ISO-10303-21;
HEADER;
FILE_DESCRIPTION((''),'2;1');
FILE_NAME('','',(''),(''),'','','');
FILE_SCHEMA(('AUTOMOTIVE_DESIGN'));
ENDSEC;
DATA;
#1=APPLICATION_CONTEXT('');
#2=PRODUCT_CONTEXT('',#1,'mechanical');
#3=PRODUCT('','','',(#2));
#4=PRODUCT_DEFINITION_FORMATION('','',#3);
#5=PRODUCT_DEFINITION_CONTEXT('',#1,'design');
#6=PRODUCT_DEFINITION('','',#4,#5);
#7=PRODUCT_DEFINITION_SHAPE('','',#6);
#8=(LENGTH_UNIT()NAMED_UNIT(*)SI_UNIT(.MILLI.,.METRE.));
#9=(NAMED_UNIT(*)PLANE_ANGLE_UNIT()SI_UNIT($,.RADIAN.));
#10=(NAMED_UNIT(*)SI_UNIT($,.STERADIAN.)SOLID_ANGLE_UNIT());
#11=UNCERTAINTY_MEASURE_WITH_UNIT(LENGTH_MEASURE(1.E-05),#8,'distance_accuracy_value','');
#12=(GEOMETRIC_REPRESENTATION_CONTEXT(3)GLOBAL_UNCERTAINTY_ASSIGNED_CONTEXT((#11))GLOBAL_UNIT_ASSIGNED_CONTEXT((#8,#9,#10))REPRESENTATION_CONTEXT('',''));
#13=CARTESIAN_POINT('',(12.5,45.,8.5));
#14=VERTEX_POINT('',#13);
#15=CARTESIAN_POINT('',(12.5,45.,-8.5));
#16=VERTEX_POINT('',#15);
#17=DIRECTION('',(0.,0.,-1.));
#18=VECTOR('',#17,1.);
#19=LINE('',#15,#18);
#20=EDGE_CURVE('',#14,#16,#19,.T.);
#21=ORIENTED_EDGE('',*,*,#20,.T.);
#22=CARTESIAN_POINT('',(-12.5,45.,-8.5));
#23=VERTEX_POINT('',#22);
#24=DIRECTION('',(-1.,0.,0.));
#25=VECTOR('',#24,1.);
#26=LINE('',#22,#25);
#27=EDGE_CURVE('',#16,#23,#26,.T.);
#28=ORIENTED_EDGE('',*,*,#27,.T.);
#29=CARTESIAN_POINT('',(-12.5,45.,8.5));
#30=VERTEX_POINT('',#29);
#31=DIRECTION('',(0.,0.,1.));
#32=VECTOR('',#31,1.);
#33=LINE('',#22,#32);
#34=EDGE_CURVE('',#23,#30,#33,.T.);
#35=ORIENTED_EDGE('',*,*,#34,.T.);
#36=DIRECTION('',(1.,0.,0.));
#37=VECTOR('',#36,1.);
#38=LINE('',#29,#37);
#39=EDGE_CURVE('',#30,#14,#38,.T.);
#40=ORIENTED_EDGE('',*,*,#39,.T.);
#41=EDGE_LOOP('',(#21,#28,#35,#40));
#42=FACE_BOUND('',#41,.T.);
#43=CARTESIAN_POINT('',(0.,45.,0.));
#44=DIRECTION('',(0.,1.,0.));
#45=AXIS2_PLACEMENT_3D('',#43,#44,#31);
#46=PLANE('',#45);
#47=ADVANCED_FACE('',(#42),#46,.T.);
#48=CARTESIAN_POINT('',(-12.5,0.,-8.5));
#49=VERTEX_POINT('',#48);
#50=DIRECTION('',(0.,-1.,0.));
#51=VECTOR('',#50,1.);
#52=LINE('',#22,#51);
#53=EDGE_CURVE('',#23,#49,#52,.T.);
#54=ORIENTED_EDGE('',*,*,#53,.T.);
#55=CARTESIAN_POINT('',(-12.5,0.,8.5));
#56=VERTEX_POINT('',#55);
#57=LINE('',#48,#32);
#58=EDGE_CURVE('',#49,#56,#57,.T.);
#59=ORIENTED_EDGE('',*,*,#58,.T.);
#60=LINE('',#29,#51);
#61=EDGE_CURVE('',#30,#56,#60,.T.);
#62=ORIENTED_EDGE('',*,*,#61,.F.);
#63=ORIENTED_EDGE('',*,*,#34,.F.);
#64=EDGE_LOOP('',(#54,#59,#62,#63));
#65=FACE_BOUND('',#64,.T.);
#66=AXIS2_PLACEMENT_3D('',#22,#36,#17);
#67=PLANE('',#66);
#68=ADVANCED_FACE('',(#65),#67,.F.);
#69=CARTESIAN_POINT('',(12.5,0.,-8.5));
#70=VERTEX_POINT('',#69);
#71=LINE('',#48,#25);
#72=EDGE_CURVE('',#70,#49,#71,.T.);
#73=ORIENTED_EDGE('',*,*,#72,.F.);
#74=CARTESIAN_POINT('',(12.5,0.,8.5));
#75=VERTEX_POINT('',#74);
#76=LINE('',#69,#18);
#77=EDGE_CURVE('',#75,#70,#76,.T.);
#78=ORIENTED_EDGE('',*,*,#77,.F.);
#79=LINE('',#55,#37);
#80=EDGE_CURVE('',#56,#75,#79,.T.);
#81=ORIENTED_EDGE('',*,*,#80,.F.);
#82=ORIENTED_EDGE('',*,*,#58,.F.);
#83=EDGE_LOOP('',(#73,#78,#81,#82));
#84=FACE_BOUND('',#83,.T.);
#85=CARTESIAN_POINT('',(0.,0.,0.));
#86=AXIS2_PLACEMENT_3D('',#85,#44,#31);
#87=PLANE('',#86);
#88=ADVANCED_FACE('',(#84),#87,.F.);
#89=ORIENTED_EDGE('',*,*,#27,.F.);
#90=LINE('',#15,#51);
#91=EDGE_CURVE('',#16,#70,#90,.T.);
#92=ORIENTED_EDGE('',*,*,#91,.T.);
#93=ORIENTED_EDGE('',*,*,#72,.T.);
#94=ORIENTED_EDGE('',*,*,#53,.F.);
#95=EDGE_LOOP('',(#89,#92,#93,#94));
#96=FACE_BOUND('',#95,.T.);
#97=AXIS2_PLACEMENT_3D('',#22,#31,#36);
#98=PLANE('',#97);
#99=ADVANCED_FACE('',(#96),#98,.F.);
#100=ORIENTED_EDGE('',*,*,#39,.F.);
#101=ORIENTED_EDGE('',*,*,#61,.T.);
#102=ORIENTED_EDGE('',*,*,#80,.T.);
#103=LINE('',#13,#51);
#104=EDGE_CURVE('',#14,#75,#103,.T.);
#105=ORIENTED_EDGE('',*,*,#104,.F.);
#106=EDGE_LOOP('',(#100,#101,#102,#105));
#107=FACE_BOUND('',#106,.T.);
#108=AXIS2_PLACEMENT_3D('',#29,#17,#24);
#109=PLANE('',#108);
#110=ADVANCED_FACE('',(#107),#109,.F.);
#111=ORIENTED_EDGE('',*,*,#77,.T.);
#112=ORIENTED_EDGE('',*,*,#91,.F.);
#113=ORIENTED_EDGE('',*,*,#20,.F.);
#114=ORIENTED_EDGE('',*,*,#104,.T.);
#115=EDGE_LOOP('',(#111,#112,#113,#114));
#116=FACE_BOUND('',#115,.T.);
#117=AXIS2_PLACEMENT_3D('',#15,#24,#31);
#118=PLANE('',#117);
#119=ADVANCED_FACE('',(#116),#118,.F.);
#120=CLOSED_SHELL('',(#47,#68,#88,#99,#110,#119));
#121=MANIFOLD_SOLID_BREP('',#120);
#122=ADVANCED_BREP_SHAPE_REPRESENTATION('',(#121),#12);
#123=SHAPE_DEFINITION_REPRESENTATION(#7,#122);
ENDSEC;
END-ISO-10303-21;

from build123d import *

# Parameters (mm, degrees)
SKETCH_1_W      = 25
SKETCH_1_H      = 17
EXTRUDE_1_DEPTH = 45


with BuildPart() as part:
    # Эскиз1 → Бобышка-Вытянуть1 (new body)
    with BuildSketch(Plane(origin=(0, 0, 0), x_dir=(1, 0, 0), z_dir=(0, 1, 0))):
        Rectangle(SKETCH_1_W, SKETCH_1_H)
    extrude(amount=EXTRUDE_1_DEPTH)


solid = part.part
